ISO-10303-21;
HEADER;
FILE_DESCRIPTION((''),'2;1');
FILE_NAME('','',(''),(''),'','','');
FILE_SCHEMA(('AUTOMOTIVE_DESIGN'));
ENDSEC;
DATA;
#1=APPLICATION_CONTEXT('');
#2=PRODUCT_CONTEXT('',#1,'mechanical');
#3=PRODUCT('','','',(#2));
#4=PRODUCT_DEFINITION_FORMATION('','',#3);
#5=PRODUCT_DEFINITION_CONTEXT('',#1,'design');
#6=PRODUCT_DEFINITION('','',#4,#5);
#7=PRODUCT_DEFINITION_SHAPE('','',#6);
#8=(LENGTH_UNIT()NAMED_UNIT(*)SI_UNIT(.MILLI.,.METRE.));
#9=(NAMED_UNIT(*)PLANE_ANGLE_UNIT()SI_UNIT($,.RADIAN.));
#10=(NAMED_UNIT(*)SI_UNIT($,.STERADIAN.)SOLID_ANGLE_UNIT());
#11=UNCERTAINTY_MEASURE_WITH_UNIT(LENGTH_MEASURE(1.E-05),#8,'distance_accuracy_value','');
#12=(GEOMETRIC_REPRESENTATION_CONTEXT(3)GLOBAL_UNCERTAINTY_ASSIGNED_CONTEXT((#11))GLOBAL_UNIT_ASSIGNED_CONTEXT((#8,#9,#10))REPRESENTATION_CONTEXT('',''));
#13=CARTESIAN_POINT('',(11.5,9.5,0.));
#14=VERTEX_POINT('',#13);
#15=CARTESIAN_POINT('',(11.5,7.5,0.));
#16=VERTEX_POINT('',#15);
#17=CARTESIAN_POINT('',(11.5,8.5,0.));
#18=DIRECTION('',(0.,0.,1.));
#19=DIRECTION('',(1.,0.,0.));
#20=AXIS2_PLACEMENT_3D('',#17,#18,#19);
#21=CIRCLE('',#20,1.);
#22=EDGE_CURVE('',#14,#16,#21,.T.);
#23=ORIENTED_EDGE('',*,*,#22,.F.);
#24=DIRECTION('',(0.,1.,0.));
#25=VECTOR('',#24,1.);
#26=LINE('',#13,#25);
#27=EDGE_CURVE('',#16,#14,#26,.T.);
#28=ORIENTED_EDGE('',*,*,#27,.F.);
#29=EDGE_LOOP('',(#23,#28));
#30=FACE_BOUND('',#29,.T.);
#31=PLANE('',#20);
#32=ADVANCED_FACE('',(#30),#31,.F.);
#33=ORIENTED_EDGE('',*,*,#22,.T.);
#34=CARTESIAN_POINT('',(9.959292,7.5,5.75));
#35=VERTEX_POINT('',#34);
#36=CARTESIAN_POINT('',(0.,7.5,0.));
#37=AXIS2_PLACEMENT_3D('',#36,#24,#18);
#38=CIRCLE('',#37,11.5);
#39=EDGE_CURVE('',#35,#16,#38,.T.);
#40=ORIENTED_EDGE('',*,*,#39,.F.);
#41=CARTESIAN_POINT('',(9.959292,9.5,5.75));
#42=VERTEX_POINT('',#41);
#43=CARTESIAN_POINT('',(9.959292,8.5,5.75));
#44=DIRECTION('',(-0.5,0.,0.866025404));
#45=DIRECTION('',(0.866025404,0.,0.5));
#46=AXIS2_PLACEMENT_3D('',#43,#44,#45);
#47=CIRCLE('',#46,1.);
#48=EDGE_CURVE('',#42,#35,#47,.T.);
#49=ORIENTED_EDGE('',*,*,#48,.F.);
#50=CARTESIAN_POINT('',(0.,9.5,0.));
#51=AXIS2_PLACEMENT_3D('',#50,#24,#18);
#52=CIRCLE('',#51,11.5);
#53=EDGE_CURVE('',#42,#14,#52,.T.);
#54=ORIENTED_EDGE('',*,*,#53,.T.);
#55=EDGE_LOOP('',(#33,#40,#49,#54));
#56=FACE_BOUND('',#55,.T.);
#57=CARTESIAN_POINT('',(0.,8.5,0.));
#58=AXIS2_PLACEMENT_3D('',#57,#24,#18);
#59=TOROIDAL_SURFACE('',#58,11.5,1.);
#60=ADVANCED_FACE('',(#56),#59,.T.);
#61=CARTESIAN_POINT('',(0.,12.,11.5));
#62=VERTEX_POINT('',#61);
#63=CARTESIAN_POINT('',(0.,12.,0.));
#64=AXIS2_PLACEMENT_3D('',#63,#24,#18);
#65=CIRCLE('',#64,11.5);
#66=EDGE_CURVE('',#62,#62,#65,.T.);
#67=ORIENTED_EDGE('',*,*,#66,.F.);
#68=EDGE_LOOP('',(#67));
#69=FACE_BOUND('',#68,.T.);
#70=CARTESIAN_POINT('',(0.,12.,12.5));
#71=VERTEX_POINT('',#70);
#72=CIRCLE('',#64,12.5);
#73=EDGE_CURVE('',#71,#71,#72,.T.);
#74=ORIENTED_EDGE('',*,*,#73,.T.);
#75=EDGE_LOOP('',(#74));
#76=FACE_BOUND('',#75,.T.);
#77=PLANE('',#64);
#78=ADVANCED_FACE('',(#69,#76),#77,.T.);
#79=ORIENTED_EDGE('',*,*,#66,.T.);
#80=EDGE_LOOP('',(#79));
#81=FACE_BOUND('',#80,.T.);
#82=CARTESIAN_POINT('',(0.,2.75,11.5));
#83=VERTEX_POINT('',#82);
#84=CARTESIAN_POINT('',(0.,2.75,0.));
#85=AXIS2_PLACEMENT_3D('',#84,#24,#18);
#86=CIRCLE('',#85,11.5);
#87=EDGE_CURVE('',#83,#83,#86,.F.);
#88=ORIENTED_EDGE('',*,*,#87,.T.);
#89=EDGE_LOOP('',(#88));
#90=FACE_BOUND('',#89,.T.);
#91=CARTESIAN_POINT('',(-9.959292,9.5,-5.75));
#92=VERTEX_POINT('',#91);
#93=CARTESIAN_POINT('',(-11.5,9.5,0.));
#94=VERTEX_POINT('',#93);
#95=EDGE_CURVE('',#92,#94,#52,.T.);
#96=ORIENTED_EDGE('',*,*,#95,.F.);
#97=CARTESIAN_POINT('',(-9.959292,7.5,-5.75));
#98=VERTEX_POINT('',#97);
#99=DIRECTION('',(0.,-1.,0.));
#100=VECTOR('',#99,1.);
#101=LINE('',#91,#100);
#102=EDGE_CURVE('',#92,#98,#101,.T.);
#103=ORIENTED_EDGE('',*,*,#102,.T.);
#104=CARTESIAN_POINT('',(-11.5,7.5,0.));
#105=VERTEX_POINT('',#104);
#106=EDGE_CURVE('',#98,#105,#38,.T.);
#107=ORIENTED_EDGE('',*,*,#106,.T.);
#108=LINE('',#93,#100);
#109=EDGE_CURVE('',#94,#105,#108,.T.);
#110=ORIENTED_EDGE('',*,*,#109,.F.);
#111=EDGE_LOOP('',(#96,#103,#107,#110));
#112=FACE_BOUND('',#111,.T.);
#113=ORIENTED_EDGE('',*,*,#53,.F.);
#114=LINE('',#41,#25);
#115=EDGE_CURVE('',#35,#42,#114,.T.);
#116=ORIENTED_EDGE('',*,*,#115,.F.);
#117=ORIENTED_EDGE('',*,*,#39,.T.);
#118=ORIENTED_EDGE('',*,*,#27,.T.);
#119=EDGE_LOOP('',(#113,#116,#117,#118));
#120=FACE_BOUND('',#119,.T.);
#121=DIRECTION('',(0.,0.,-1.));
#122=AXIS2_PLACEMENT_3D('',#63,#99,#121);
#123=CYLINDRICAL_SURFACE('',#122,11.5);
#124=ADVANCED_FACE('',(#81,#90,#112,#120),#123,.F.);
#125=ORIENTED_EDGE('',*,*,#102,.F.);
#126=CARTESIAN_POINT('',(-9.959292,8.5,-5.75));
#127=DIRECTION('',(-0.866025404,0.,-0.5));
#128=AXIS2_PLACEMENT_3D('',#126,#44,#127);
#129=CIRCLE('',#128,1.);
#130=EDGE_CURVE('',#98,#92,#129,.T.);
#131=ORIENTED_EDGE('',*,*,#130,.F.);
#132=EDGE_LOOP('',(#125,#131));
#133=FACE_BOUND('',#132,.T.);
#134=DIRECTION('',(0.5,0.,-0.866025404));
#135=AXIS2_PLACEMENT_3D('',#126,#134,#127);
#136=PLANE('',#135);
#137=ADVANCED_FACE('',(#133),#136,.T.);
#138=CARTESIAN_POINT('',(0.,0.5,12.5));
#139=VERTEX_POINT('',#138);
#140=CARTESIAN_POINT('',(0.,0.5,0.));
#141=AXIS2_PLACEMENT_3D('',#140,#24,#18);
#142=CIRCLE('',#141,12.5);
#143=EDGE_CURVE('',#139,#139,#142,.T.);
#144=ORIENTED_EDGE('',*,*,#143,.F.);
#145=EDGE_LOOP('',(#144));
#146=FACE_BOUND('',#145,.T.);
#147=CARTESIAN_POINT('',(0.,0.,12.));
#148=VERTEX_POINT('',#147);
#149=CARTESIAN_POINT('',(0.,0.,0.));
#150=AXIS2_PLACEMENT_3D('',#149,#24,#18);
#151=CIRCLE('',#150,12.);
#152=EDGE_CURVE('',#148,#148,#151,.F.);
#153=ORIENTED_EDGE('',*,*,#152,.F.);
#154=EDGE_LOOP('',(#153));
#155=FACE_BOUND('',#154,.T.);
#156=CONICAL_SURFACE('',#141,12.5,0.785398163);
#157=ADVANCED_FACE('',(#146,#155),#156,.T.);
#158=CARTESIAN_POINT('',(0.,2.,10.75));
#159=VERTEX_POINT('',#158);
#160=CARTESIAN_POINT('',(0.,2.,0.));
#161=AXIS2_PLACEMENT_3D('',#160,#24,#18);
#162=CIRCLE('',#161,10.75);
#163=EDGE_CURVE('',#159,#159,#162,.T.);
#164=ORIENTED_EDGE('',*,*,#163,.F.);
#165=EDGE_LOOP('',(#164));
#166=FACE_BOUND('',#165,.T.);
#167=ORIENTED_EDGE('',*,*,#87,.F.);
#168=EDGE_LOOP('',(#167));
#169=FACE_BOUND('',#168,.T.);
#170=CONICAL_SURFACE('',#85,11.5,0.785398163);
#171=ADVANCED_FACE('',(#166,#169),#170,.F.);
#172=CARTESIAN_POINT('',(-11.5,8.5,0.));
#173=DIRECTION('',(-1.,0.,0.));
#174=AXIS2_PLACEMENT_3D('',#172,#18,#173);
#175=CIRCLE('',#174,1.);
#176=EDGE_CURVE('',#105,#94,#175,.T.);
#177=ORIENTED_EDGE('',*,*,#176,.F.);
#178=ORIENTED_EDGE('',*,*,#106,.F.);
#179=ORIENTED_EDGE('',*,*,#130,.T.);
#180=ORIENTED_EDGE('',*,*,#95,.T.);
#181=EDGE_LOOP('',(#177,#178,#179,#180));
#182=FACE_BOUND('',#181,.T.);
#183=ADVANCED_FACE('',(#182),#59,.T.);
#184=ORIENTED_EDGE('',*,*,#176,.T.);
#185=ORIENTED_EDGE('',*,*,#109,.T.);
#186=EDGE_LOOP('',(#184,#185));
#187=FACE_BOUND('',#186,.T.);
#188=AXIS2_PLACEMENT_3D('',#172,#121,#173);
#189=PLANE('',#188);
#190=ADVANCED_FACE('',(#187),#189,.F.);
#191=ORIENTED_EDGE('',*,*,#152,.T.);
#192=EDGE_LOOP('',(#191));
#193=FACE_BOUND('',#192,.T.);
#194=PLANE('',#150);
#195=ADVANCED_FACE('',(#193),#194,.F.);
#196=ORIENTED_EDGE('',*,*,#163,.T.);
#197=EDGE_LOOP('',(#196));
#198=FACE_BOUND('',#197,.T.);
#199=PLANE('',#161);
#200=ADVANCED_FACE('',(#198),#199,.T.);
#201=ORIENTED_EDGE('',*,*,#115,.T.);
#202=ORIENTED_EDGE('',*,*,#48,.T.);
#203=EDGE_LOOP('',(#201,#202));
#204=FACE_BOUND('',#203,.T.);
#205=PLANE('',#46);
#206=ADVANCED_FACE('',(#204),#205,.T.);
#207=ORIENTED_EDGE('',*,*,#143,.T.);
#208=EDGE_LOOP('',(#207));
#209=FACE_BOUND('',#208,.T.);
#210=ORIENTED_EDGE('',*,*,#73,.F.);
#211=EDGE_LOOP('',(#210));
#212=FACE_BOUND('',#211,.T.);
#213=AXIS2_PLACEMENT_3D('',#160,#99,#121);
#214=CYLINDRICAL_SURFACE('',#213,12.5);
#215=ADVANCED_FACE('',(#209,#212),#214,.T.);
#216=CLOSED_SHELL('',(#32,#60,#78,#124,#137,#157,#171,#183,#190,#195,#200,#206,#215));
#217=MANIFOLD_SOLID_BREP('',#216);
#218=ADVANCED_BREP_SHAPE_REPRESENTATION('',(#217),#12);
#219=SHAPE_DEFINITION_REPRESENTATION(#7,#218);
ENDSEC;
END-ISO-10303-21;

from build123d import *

# Parameters (mm, degrees)
SKETCH1_R           = 12.5
BOSS_EXTRUDE2_DEPTH = 2
SKETCH2_R           = 12.5
SKETCH2_R_2         = 11.5
BOSS_EXTRUDE3_DEPTH = 10
REVOLVE1_ANGLE      = 30
CHAMFER1_SIZE       = 0.5
CHAMFER2_SIZE       = 0.75


with BuildPart() as part:
    # Sketch1 → Boss-Extrude2 (new body)
    with BuildSketch(Plane(origin=(0, 0, 0), x_dir=(1, 0, 0), z_dir=(0, 1, 0))):
        with Locations(Location((0, 0, 0), (0, 0, 270))):
            Circle(SKETCH1_R)
    extrude(amount=BOSS_EXTRUDE2_DEPTH)

    # Sketch2 → Boss-Extrude3 (add)
    with BuildSketch(Plane(origin=(0, 2, 0), x_dir=(1, 0, 0), z_dir=(0, 1, 0))):
        with Locations(Location((0, 0, 0), (0, 0, 270))):
            Circle(SKETCH2_R)
        with Locations(Location((0, 0, 0), (0, 0, 270))):
            Circle(SKETCH2_R_2, mode=Mode.SUBTRACT)
    extrude(amount=BOSS_EXTRUDE3_DEPTH)

    # Sketch3 → Revolve1 (revolve)
    with BuildSketch(Plane.XY):
        with BuildLine():
            Line((-11.5, 9.5), (-11.5, 7.5))
            ThreePointArc((-11.5, 7.5), (-10.5, 8.5), (-11.5, 9.5))
        make_face()
        with BuildLine():
            Line((11.5, 9.5), (11.5, 7.5))
            ThreePointArc((11.5, 7.5), (10.5, 8.5), (11.5, 9.5))
        make_face()
    revolve(axis=Axis((0, 19.49850662, 0), (0, -1, 0)), revolution_arc=REVOLVE1_ANGLE)

    # Chamfer1
    chamfer1_edges = [part.edges().sort_by_distance(p)[0] for p in [
        (0, 0, -12.5),
    ]]
    chamfer(chamfer1_edges, length=CHAMFER1_SIZE)

    # Chamfer2
    chamfer2_edges = [part.edges().sort_by_distance(p)[0] for p in [
        (0, 2, -11.5),
    ]]
    chamfer(chamfer2_edges, length=CHAMFER2_SIZE)


solid = part.part
